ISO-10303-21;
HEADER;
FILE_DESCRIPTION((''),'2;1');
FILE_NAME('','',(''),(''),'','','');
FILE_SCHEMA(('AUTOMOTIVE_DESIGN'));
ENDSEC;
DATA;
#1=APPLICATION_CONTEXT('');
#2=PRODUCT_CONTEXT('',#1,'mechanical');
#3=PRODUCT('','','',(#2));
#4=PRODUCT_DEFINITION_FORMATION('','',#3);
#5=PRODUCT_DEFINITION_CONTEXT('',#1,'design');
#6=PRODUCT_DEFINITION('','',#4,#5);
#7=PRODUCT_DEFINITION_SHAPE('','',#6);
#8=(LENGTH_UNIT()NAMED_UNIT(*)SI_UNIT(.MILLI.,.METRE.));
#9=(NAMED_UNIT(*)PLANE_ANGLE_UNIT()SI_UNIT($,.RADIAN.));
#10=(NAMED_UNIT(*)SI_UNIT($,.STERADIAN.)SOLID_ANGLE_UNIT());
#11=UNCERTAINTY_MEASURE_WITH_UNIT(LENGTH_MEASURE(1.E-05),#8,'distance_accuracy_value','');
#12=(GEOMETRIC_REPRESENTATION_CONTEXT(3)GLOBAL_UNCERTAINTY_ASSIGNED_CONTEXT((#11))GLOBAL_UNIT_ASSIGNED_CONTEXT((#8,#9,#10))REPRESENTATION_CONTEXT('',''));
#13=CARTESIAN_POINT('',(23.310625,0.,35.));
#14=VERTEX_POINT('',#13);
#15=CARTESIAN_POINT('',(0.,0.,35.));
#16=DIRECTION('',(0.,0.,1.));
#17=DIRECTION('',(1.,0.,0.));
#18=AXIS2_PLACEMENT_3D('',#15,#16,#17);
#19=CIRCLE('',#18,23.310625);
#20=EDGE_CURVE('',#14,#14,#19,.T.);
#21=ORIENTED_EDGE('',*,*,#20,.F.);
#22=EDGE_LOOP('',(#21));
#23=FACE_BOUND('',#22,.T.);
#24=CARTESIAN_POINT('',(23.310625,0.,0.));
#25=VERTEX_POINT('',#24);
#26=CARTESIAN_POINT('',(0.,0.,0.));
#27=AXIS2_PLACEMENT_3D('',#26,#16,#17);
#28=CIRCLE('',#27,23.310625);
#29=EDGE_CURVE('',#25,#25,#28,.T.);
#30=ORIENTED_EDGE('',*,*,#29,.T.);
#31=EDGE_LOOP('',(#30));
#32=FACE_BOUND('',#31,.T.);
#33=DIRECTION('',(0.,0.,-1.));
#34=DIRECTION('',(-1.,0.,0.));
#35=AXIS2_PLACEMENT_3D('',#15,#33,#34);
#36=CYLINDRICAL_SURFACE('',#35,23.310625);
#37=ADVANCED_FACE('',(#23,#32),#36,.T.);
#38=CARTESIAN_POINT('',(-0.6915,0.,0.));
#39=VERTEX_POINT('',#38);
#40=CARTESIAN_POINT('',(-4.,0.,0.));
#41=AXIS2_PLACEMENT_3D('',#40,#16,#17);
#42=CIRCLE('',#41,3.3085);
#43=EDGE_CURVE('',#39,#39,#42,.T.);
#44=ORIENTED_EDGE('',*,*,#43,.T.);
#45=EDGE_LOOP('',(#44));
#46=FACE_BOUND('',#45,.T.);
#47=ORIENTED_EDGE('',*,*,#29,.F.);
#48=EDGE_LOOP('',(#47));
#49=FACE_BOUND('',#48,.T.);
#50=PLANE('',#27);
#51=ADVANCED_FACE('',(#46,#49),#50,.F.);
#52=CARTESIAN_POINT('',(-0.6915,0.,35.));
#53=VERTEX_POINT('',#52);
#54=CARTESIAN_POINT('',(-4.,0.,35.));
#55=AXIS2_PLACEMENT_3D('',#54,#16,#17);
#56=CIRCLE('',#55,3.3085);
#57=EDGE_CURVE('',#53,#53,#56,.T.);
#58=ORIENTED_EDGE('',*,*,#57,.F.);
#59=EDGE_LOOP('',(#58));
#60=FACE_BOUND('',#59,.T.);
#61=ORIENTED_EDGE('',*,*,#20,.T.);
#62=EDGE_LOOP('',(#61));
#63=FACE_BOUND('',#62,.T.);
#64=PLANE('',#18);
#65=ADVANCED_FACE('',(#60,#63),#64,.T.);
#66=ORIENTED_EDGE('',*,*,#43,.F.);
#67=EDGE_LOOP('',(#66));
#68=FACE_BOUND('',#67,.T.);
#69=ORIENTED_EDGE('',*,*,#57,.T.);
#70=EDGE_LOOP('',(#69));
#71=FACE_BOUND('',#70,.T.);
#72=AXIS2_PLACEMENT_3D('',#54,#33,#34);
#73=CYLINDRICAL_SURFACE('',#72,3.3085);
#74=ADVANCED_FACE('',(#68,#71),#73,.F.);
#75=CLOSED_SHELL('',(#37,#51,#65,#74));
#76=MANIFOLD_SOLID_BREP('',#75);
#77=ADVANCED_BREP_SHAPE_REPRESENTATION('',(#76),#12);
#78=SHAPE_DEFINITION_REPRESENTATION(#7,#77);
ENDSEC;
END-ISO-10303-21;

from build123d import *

# Parameters (mm, degrees)
SKETCH11_R           = 23.310625
SKETCH11_R_2         = 3.3085
BOSS_EXTRUDE13_DEPTH = 35


with BuildPart() as part:
    # Sketch11 → Boss-Extrude13 (new body)
    with BuildSketch(Plane.XY):
        Circle(SKETCH11_R)
        with Locations((-4, 0)):
            Circle(SKETCH11_R_2, mode=Mode.SUBTRACT)
    extrude(amount=BOSS_EXTRUDE13_DEPTH)


solid = part.part
